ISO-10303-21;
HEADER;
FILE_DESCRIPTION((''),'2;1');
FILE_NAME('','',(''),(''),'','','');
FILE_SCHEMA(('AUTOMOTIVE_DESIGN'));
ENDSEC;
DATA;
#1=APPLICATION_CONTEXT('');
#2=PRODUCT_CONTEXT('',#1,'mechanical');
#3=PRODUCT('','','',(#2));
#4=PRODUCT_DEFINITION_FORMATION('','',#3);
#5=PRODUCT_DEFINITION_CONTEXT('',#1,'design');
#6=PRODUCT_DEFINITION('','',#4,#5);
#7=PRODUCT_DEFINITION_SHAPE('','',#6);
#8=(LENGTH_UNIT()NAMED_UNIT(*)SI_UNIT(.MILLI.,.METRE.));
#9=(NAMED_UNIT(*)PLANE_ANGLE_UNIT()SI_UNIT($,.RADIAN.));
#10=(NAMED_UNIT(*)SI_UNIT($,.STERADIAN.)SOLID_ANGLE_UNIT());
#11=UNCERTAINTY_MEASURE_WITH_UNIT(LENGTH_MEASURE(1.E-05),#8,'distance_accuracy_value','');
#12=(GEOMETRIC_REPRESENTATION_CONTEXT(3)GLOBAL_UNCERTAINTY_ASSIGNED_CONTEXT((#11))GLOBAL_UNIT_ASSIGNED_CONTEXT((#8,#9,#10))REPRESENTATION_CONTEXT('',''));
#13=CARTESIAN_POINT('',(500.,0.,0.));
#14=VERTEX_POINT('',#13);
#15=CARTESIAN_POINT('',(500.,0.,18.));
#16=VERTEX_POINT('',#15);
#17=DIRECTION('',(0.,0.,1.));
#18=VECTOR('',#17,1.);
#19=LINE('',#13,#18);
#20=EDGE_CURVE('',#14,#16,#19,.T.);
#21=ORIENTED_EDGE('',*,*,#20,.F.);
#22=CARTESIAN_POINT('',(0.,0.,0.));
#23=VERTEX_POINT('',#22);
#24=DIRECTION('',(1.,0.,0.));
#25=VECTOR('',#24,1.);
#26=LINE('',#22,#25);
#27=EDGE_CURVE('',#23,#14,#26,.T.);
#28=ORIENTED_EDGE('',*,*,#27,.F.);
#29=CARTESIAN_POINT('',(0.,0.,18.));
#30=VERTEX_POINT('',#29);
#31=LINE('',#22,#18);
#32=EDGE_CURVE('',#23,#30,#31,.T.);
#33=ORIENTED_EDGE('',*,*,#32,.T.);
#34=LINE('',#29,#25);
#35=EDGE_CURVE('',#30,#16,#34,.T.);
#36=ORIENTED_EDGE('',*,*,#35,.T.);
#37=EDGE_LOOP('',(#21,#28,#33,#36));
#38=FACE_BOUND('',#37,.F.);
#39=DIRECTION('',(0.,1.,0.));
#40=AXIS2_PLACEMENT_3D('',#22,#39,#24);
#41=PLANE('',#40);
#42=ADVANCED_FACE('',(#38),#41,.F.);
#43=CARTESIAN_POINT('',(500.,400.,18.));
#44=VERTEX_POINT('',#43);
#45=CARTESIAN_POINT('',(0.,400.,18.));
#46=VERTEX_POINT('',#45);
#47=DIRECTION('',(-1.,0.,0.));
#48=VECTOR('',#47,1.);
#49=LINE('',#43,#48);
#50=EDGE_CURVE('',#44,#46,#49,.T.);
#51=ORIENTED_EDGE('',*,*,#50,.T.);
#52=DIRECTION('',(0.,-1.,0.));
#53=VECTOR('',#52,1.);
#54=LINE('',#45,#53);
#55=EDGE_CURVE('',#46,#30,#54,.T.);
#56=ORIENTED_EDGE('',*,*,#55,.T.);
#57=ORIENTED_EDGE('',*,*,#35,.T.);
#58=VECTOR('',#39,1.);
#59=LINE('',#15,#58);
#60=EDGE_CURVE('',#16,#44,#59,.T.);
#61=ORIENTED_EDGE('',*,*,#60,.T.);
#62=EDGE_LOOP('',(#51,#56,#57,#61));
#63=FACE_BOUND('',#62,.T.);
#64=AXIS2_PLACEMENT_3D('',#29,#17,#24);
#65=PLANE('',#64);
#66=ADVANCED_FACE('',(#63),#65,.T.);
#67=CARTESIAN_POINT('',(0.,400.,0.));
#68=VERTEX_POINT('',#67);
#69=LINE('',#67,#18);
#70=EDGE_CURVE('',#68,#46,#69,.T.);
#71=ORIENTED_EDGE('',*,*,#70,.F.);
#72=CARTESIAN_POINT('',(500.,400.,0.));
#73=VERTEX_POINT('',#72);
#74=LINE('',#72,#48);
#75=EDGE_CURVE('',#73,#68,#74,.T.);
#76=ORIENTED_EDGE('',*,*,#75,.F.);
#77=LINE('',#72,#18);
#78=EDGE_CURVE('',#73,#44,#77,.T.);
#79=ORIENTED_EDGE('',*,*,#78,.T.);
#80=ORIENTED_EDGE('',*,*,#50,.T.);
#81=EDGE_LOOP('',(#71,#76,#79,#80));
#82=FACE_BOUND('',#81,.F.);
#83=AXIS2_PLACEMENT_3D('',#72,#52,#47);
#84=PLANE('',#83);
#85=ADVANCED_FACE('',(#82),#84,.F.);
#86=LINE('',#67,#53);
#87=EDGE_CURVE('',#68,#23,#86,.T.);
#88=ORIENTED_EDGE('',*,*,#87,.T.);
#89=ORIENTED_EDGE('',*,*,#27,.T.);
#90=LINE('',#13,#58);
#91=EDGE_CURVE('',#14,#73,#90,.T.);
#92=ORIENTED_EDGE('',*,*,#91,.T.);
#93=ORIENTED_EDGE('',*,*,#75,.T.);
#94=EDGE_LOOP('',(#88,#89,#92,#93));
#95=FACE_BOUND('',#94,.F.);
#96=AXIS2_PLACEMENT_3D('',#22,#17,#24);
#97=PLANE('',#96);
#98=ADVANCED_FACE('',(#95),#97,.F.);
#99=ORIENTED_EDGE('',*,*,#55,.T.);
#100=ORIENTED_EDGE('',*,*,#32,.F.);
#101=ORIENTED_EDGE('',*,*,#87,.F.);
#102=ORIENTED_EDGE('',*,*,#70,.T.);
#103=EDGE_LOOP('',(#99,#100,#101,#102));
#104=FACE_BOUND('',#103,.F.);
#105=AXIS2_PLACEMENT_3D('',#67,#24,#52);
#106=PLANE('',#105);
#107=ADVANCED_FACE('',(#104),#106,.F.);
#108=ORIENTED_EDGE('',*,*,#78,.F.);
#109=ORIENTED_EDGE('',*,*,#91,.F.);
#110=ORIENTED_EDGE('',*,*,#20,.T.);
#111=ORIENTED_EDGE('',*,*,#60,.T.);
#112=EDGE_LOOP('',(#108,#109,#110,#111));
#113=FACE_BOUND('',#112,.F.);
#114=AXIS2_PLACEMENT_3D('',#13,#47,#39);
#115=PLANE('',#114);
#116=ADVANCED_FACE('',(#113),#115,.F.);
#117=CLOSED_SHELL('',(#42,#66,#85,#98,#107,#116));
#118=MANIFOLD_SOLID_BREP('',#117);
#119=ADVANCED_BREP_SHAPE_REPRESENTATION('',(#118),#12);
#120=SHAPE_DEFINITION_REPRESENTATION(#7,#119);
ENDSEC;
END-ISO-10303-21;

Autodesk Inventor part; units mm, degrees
ref_plane "YZ Plane" through (0, 0, 0) normal (1, 0, 0) x (0, 1, 0)
ref_plane "XZ Plane" through (0, 0, 0) normal (0, 1, 0) x (-1, 0, 0)
ref_plane "XY Plane" through (0, 0, 0) normal (0, 0, 1) x (1, 0, 0)
sketch "Sketch1" plane through (0, 0, 0) normal (0, 0, 1) x (1, 0, 0)
  line L0 (0, 0) -> (500, 0)
  line L1 (500, 0) -> (500, 400)
  line L2 (500, 400) -> (0, 400)
  line L3 (0, 400) -> (0, 0)
  dimension "d0" = 500
  dimension "d2" = 400
extrude "Extrusion1" add sketch "Sketch1" along normal blind 18
properties part number "front"
